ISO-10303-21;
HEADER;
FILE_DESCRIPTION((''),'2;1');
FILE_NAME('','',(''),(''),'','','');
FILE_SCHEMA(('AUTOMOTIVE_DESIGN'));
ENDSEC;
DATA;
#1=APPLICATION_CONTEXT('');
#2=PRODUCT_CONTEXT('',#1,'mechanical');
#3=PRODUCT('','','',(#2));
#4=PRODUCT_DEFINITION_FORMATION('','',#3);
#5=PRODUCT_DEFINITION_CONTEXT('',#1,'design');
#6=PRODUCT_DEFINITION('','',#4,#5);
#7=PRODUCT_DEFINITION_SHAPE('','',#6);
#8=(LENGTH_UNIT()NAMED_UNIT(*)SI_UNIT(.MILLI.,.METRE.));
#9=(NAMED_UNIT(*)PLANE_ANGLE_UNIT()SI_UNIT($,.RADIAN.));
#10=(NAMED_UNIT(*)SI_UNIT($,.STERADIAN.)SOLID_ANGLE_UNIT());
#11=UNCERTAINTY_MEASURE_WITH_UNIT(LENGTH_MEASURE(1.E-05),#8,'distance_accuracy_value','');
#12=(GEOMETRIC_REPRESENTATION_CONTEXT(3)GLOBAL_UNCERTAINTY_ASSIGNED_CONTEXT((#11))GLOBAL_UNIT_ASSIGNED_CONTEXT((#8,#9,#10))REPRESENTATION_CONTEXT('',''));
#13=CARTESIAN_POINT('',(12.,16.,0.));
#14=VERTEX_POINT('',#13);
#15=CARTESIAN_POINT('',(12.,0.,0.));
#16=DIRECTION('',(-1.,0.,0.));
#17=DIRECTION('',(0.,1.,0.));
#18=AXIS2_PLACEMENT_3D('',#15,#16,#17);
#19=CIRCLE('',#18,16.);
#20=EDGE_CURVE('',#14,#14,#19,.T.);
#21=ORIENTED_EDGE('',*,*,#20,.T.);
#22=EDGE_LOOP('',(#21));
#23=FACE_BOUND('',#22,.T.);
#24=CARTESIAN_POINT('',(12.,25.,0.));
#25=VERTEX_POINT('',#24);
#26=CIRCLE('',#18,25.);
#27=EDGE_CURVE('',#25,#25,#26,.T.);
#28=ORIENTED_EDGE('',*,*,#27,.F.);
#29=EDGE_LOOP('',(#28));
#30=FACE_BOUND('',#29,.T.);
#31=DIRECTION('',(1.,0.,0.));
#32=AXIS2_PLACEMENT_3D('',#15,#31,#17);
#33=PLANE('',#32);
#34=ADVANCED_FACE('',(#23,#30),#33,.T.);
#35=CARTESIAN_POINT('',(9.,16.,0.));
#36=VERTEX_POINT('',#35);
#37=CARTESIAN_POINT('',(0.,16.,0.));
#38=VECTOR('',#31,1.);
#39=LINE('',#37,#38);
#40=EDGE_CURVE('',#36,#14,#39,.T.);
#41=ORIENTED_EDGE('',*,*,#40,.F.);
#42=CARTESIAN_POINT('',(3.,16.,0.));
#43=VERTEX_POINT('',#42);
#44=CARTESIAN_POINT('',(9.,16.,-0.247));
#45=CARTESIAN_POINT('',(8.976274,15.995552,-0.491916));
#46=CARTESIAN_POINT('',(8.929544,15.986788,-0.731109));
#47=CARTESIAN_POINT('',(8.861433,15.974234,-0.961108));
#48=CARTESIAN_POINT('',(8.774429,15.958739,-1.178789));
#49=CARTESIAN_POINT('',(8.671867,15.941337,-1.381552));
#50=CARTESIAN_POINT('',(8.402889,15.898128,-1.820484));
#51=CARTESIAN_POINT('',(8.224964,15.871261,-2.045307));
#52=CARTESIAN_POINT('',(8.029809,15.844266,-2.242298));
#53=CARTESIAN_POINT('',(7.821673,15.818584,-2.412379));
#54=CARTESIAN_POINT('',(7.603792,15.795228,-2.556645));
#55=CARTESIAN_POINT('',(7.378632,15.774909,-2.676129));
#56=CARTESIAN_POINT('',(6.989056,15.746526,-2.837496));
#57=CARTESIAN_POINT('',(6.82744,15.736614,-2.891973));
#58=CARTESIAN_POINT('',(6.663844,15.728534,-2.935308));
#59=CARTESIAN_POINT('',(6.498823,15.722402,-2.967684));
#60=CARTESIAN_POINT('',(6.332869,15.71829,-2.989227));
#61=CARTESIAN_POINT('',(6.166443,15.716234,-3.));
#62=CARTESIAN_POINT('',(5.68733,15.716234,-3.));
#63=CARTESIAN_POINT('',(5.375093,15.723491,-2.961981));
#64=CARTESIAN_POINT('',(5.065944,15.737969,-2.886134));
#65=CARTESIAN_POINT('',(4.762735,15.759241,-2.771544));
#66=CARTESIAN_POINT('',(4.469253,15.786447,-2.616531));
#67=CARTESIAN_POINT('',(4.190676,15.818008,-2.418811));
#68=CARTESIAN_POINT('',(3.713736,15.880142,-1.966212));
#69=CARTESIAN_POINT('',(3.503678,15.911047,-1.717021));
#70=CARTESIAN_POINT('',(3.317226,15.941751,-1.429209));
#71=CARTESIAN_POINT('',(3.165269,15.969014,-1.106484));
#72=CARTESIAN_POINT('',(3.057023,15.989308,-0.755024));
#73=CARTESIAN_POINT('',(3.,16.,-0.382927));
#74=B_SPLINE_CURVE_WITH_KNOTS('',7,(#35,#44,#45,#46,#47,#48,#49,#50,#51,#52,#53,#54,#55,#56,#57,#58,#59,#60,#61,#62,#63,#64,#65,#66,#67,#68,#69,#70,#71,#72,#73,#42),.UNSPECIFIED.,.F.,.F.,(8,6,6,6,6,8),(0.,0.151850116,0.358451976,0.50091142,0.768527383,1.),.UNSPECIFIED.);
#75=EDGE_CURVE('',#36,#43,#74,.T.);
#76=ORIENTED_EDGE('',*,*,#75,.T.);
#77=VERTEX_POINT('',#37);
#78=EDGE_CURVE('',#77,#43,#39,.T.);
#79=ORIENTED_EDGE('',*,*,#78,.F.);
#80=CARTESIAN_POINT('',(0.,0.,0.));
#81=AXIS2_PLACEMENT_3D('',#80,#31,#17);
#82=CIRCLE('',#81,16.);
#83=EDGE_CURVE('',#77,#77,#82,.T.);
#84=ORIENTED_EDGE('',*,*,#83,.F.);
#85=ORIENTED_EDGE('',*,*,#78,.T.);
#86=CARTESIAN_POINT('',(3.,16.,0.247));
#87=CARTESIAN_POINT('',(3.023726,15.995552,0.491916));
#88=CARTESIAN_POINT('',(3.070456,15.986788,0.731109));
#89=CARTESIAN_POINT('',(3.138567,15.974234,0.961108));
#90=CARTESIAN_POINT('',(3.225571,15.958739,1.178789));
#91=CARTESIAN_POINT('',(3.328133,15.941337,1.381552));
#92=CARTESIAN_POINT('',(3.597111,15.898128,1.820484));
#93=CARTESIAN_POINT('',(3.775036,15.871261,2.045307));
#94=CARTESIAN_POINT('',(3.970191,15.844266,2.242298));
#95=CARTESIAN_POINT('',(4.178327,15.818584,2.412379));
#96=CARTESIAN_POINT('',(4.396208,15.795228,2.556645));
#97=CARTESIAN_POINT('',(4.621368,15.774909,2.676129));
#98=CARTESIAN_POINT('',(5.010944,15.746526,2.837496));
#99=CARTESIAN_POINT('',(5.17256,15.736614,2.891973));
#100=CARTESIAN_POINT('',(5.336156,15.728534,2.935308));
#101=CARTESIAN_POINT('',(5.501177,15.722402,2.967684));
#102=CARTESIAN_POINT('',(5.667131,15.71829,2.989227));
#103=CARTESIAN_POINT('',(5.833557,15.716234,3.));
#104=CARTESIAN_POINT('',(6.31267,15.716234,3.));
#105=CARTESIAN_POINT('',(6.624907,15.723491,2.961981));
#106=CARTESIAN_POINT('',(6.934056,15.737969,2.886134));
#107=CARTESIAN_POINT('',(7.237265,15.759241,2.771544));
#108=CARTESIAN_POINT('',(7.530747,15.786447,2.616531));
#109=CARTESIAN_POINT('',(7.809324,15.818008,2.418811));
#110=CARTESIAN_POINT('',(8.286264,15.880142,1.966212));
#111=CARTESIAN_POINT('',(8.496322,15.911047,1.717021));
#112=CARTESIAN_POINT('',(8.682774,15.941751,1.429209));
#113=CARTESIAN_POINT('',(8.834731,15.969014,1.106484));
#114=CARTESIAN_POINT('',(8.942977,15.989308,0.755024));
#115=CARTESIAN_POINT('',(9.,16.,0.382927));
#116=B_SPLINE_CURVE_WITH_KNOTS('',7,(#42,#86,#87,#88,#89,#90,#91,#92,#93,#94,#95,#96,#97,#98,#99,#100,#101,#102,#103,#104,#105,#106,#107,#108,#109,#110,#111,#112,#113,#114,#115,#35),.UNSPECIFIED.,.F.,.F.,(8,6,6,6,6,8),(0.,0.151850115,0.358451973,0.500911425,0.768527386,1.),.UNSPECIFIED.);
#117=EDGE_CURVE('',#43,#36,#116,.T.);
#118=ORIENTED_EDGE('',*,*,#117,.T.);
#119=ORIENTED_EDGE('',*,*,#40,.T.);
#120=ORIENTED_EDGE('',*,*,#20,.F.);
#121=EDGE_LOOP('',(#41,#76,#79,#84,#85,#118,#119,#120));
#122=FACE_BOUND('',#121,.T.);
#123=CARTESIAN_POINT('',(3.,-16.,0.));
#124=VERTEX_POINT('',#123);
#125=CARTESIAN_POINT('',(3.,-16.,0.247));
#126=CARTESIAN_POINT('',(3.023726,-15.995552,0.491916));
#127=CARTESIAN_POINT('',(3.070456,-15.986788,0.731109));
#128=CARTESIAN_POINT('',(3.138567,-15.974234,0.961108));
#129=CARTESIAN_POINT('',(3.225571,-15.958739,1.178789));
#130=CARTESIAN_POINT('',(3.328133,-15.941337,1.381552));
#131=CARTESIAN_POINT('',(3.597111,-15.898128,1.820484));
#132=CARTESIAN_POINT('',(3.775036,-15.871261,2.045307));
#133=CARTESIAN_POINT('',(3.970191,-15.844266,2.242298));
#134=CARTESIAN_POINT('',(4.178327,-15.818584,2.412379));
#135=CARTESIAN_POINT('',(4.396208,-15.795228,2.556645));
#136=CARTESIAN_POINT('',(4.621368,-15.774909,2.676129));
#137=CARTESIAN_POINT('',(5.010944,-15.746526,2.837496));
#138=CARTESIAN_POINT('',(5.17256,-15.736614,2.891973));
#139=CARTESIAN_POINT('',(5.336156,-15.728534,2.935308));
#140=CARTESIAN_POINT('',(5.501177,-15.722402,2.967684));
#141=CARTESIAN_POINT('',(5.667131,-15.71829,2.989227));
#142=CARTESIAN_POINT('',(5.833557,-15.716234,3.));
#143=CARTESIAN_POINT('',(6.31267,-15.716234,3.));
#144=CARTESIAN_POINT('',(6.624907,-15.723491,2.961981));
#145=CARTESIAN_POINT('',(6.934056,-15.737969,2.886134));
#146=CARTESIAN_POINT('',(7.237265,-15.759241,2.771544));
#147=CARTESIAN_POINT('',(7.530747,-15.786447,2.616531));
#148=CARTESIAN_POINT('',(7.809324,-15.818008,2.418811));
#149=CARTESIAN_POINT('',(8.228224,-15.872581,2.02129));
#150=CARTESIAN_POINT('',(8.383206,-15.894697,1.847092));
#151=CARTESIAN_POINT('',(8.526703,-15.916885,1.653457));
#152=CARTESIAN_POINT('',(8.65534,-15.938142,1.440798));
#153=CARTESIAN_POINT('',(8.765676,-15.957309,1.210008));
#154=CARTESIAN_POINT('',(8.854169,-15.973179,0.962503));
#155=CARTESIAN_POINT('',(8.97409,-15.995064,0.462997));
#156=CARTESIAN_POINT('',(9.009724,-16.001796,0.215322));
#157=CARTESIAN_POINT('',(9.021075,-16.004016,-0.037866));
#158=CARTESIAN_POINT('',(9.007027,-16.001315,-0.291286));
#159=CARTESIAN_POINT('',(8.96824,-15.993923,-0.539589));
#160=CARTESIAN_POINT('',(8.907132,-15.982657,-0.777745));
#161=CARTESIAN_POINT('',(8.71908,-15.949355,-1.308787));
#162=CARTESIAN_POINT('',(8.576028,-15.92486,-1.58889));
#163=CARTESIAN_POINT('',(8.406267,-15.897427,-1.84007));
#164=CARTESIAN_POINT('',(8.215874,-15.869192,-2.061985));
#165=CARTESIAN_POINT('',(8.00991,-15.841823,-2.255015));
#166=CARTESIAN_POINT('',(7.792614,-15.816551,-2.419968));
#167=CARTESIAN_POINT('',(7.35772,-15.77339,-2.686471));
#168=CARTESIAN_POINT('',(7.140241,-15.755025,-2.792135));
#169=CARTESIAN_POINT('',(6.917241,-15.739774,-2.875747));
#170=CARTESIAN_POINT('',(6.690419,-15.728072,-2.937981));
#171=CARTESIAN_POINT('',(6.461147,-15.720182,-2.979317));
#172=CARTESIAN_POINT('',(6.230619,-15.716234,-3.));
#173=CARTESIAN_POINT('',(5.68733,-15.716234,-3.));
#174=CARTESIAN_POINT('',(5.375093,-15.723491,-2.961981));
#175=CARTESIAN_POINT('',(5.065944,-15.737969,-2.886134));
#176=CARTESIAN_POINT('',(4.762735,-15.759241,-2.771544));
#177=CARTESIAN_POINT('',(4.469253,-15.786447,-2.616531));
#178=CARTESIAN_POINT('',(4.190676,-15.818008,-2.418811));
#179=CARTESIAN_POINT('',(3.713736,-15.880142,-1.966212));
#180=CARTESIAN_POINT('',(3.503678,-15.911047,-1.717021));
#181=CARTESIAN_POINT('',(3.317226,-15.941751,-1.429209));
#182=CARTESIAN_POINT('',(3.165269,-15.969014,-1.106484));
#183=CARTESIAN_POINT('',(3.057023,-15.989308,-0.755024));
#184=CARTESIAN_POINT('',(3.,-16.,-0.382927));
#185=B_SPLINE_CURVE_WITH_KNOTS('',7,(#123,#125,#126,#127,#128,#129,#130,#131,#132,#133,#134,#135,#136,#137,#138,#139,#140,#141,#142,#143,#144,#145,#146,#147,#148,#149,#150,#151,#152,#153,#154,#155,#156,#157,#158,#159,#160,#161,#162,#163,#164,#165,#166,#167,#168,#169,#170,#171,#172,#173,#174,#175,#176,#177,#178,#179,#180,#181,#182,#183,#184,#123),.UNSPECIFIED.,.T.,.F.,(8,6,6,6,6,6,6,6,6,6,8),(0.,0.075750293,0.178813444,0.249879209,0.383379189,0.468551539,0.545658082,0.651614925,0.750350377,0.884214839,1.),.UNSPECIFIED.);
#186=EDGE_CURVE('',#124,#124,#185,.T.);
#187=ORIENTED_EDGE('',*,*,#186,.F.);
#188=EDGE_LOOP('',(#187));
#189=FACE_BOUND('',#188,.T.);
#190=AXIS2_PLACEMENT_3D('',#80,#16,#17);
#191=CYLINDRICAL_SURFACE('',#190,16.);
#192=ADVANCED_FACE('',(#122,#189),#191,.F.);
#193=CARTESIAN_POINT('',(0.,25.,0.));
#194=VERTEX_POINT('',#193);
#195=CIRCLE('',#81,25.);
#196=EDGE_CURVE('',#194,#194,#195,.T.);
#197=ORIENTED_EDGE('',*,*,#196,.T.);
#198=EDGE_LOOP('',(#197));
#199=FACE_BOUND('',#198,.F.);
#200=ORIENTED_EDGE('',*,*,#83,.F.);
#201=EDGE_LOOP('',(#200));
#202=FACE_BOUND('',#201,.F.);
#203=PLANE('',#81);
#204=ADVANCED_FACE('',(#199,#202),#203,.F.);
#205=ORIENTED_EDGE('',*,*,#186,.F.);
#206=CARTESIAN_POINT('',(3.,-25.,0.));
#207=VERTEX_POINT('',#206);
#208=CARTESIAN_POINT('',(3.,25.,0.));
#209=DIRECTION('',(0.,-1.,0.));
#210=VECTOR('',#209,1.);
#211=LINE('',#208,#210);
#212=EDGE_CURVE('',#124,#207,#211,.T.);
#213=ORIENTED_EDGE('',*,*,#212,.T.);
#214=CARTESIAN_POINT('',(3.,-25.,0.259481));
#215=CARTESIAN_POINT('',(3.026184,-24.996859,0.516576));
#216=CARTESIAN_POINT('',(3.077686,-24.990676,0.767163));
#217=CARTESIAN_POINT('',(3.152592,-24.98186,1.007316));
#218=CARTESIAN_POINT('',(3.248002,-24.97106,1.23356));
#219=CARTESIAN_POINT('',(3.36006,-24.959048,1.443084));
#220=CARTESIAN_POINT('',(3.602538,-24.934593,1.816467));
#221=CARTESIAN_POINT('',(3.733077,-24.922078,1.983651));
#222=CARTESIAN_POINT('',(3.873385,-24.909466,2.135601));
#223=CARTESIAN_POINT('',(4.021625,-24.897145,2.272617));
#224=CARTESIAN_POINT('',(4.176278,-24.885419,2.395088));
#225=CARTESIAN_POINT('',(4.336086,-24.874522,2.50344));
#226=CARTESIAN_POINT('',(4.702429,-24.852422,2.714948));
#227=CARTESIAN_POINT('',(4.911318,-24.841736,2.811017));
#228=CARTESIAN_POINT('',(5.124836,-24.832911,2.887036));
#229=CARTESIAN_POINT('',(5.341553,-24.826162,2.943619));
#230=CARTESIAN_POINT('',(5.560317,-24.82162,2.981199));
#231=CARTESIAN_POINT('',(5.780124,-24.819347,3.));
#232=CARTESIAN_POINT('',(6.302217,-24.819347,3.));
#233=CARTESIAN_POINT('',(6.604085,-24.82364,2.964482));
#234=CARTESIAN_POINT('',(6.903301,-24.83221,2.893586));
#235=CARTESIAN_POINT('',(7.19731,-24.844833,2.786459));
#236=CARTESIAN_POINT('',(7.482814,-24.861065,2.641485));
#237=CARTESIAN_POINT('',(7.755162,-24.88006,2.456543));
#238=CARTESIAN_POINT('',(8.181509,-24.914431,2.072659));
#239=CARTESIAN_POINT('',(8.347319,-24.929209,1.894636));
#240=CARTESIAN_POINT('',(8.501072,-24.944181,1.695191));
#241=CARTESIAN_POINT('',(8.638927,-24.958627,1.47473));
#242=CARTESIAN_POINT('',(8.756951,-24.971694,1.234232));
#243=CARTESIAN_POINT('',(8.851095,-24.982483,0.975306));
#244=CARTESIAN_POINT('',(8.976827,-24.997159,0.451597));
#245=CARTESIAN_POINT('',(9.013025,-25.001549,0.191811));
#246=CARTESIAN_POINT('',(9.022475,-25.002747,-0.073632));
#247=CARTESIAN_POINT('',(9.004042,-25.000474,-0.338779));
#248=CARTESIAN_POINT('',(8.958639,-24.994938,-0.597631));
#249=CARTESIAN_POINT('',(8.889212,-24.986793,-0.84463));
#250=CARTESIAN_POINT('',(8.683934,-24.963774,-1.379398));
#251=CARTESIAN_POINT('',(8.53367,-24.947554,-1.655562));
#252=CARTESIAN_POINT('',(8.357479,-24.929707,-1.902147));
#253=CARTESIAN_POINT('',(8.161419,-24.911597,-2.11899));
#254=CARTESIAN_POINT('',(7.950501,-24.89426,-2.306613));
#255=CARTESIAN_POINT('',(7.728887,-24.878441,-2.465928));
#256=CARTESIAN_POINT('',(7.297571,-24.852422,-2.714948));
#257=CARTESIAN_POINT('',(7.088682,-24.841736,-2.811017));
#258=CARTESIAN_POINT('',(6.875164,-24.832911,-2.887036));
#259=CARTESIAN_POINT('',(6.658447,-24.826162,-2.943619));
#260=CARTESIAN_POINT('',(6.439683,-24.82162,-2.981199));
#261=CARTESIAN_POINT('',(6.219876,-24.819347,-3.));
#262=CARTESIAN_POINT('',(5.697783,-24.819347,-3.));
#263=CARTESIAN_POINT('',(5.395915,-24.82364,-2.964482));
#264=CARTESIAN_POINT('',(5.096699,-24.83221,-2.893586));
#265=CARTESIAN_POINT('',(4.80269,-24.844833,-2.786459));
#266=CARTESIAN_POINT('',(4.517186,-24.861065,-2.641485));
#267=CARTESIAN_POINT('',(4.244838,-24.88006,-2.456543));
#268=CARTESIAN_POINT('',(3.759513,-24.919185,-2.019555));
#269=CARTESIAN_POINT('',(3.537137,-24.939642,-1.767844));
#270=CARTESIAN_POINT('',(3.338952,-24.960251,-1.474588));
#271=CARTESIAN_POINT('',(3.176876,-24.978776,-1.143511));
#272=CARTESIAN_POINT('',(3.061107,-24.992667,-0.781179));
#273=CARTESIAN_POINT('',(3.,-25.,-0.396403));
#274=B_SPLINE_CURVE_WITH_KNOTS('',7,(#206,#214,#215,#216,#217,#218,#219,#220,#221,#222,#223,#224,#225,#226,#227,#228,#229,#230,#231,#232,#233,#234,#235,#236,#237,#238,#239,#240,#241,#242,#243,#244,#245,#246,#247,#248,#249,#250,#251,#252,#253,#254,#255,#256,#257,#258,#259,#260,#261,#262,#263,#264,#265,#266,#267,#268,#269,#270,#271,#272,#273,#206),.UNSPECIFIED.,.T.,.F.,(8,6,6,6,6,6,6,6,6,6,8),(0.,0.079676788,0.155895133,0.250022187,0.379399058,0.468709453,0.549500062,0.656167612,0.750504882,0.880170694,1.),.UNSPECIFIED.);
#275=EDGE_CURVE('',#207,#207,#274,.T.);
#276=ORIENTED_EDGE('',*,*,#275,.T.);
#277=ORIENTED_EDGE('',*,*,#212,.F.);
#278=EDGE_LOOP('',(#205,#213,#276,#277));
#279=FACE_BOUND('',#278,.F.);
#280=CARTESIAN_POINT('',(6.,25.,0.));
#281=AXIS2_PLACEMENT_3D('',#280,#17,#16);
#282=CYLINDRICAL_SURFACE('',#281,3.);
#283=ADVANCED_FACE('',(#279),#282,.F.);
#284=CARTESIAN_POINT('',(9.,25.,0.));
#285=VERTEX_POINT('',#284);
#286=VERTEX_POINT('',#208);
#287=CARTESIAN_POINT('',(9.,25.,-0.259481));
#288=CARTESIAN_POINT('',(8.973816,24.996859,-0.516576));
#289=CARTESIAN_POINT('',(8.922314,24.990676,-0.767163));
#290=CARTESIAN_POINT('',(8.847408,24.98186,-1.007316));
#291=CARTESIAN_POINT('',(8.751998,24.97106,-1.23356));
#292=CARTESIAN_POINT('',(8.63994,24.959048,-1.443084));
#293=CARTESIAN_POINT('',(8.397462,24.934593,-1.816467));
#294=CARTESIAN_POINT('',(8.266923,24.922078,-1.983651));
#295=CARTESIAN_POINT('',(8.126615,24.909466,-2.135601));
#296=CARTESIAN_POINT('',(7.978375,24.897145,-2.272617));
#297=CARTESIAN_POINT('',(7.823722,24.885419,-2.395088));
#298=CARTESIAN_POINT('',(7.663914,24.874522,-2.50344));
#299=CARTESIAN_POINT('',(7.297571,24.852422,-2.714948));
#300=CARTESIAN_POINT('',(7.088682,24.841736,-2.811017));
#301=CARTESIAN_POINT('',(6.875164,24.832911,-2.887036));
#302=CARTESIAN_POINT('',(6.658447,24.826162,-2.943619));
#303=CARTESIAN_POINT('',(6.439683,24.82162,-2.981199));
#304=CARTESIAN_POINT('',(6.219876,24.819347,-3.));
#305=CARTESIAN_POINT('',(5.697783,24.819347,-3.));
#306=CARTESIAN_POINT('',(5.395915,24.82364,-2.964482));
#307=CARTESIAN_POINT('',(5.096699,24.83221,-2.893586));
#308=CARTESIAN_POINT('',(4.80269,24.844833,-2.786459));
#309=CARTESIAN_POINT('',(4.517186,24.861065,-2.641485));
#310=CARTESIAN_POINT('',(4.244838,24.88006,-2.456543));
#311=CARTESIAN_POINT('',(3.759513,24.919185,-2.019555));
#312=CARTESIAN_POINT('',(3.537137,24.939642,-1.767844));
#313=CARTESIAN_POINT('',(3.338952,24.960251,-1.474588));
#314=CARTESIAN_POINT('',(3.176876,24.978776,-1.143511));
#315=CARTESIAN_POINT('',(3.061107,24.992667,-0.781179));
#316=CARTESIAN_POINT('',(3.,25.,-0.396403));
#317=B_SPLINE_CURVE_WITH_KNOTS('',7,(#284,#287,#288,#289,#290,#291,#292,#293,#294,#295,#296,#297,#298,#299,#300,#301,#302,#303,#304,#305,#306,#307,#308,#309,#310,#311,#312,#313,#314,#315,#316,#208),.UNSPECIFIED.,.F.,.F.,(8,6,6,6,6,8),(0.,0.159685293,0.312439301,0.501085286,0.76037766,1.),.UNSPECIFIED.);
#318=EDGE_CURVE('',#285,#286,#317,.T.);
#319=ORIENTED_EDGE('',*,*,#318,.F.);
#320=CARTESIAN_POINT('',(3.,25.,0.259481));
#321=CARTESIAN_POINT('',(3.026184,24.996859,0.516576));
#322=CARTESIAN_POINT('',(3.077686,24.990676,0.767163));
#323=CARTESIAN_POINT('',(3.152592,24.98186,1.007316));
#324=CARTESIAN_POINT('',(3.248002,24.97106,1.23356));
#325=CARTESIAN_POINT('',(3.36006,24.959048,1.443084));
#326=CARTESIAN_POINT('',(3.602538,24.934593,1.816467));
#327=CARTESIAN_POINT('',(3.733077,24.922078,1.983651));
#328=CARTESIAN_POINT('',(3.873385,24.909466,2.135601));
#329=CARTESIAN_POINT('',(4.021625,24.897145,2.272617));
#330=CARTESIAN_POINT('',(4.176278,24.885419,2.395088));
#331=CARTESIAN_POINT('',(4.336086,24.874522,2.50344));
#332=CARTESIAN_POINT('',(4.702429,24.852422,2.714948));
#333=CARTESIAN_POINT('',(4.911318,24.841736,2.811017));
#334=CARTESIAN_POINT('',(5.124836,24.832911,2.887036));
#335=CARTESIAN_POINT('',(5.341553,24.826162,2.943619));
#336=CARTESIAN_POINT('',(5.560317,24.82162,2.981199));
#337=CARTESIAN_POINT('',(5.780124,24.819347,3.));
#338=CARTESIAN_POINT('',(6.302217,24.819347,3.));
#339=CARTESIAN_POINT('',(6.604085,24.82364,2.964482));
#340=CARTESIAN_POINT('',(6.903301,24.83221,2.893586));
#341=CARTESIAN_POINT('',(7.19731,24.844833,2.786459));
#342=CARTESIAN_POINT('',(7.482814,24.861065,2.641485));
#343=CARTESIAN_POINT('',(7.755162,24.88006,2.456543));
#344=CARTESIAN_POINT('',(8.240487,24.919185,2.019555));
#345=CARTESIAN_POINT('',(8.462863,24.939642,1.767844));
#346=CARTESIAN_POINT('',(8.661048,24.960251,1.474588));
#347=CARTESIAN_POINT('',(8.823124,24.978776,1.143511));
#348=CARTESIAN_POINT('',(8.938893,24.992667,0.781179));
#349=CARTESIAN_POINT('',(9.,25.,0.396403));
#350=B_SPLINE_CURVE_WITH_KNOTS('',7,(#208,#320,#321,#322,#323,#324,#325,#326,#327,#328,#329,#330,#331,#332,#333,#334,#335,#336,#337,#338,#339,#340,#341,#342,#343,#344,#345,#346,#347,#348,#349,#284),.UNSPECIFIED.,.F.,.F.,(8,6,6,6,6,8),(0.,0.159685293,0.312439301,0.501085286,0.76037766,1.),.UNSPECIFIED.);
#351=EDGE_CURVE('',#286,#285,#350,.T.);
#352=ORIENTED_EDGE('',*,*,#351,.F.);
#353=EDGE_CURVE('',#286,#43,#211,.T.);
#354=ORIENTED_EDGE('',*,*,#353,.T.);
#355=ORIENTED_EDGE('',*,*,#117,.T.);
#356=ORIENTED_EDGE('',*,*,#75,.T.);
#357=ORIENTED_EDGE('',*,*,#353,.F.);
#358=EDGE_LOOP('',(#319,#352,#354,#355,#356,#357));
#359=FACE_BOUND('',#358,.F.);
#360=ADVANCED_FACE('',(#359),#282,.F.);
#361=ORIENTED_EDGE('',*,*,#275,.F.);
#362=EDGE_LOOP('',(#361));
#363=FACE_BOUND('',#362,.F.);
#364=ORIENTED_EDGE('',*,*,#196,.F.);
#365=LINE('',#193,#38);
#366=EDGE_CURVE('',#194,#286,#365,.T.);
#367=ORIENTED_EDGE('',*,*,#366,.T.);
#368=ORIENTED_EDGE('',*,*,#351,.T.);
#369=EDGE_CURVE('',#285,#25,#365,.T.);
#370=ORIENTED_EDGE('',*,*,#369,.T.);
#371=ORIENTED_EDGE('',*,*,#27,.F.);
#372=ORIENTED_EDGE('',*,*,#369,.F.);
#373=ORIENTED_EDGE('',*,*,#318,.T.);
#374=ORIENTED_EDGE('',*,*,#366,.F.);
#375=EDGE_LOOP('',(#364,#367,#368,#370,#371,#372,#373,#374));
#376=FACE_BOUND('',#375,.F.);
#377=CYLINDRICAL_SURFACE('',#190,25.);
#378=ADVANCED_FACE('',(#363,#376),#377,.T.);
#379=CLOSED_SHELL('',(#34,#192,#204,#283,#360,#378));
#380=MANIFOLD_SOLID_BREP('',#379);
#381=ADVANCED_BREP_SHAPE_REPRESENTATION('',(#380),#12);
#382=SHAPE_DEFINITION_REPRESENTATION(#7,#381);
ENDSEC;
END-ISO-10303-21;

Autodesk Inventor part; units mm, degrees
ref_plane "YZ Plane" through (0, 0, 0) normal (1, 0, 0) x (0, 1, 0)
ref_plane "XY Plane" through (0, 0, 0) normal (0, 0, 1) x (1, 0, 0)
sketch "Sketch1" plane through (0, 0, 0) normal (1, 0, 0) x (0, 1, 0)
  line L0 (0, 35) -> (0, -35) projected
  line L1 (-35, 0) -> (35, 0) projected
  circle A0 centre (0, 0) radius 25
  circle A1 centre (0, 0) radius 16
  dimension "d0" = 50
  dimension "d1" = 32
extrude "Extrusion1" add sketch "Sketch1" along normal blind 12 contours A0 L1 A1 L0 | L0 A1 L1 A0 | A0 L0 A1 L1 | L1 A1 L0 A0
ref_plane "Work Plane1" through (0, 25, 0) normal (0, 1, 0) x (-1, 0, 0)
sketch "Sketch2" plane through (0, 25, 0) normal (0, 1, 0) x (-1, 0, 0)
  circle A0 centre (-6, 0) radius 3
  point P0 (0, 0)
  dimension "d4" = 6
extrude "Extrusion2" cut sketch "Sketch2" against normal through all
properties part number "Collar 2" material "Stainless Steel"
